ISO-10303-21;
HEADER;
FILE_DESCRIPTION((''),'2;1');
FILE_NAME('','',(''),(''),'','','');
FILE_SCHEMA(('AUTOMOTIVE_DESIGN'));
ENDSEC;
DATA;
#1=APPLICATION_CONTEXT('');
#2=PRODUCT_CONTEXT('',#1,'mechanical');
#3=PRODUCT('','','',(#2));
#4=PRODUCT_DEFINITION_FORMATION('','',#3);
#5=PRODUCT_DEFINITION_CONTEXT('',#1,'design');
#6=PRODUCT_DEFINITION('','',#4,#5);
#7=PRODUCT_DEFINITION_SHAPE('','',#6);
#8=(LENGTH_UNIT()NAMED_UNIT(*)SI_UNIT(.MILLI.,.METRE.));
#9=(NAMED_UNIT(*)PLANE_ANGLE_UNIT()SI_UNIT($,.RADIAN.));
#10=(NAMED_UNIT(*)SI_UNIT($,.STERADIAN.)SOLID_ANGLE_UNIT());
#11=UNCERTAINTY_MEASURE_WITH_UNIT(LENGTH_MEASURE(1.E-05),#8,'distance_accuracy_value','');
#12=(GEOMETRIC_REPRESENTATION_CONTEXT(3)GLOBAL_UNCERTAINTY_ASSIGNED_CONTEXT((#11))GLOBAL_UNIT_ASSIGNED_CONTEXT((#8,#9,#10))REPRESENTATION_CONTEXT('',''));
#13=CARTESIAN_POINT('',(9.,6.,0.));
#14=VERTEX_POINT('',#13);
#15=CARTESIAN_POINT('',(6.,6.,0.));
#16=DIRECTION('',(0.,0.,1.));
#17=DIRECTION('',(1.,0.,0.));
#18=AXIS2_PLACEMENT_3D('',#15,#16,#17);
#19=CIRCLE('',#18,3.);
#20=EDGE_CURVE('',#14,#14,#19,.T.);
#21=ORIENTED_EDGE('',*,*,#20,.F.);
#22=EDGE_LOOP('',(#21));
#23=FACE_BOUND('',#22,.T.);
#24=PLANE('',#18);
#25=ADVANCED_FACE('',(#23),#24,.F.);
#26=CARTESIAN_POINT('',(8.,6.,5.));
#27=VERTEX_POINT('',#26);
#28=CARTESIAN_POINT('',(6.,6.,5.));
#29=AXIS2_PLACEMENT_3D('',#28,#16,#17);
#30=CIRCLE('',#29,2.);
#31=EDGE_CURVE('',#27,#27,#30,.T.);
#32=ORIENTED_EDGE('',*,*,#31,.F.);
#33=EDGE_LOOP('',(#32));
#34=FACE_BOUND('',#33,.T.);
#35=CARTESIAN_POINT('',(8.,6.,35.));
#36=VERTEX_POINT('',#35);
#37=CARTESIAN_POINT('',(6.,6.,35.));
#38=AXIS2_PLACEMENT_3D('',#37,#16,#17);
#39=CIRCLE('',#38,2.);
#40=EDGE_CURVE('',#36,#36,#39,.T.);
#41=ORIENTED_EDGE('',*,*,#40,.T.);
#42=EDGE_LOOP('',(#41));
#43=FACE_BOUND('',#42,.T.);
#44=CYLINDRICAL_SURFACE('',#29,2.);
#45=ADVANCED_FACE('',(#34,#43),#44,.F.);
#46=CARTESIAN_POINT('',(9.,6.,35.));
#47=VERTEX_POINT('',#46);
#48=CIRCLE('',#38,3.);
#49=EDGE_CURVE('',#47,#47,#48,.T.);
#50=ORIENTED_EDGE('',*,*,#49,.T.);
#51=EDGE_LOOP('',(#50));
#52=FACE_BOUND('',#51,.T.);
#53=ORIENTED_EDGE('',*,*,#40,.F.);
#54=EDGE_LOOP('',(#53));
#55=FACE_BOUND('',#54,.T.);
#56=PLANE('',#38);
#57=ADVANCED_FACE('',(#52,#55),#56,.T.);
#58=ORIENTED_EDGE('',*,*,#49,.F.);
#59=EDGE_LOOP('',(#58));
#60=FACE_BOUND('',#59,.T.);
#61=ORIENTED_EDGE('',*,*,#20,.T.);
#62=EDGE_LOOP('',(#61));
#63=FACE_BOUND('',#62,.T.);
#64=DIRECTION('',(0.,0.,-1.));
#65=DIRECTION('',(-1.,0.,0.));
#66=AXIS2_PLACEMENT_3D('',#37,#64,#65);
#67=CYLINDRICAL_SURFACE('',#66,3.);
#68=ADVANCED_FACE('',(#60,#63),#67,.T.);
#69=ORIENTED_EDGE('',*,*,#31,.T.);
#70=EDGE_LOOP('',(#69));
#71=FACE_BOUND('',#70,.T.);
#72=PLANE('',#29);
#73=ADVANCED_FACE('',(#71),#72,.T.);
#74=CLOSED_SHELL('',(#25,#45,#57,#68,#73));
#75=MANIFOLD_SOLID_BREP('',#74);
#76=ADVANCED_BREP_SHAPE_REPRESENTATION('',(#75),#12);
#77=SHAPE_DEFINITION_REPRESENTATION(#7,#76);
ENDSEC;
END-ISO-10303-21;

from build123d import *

# Parameters (mm, degrees)
SKETCH1_R           = 3
BOSS_EXTRUDE1_DEPTH = 35
SKETCH2_R           = 2
CUT_EXTRUDE1_DEPTH  = 30


with BuildPart() as part:
    # Sketch1 → Boss-Extrude1 (new body)
    with BuildSketch(Plane.XY):
        with Locations((6, 6)):
            Circle(SKETCH1_R)
    extrude(amount=BOSS_EXTRUDE1_DEPTH)

    # Sketch2 → Cut-Extrude1 (cut)
    with BuildSketch(Plane.XY.offset(35)):
        with Locations((6, 6)):
            Circle(SKETCH2_R)
    extrude(amount=-CUT_EXTRUDE1_DEPTH, mode=Mode.SUBTRACT)


solid = part.part
